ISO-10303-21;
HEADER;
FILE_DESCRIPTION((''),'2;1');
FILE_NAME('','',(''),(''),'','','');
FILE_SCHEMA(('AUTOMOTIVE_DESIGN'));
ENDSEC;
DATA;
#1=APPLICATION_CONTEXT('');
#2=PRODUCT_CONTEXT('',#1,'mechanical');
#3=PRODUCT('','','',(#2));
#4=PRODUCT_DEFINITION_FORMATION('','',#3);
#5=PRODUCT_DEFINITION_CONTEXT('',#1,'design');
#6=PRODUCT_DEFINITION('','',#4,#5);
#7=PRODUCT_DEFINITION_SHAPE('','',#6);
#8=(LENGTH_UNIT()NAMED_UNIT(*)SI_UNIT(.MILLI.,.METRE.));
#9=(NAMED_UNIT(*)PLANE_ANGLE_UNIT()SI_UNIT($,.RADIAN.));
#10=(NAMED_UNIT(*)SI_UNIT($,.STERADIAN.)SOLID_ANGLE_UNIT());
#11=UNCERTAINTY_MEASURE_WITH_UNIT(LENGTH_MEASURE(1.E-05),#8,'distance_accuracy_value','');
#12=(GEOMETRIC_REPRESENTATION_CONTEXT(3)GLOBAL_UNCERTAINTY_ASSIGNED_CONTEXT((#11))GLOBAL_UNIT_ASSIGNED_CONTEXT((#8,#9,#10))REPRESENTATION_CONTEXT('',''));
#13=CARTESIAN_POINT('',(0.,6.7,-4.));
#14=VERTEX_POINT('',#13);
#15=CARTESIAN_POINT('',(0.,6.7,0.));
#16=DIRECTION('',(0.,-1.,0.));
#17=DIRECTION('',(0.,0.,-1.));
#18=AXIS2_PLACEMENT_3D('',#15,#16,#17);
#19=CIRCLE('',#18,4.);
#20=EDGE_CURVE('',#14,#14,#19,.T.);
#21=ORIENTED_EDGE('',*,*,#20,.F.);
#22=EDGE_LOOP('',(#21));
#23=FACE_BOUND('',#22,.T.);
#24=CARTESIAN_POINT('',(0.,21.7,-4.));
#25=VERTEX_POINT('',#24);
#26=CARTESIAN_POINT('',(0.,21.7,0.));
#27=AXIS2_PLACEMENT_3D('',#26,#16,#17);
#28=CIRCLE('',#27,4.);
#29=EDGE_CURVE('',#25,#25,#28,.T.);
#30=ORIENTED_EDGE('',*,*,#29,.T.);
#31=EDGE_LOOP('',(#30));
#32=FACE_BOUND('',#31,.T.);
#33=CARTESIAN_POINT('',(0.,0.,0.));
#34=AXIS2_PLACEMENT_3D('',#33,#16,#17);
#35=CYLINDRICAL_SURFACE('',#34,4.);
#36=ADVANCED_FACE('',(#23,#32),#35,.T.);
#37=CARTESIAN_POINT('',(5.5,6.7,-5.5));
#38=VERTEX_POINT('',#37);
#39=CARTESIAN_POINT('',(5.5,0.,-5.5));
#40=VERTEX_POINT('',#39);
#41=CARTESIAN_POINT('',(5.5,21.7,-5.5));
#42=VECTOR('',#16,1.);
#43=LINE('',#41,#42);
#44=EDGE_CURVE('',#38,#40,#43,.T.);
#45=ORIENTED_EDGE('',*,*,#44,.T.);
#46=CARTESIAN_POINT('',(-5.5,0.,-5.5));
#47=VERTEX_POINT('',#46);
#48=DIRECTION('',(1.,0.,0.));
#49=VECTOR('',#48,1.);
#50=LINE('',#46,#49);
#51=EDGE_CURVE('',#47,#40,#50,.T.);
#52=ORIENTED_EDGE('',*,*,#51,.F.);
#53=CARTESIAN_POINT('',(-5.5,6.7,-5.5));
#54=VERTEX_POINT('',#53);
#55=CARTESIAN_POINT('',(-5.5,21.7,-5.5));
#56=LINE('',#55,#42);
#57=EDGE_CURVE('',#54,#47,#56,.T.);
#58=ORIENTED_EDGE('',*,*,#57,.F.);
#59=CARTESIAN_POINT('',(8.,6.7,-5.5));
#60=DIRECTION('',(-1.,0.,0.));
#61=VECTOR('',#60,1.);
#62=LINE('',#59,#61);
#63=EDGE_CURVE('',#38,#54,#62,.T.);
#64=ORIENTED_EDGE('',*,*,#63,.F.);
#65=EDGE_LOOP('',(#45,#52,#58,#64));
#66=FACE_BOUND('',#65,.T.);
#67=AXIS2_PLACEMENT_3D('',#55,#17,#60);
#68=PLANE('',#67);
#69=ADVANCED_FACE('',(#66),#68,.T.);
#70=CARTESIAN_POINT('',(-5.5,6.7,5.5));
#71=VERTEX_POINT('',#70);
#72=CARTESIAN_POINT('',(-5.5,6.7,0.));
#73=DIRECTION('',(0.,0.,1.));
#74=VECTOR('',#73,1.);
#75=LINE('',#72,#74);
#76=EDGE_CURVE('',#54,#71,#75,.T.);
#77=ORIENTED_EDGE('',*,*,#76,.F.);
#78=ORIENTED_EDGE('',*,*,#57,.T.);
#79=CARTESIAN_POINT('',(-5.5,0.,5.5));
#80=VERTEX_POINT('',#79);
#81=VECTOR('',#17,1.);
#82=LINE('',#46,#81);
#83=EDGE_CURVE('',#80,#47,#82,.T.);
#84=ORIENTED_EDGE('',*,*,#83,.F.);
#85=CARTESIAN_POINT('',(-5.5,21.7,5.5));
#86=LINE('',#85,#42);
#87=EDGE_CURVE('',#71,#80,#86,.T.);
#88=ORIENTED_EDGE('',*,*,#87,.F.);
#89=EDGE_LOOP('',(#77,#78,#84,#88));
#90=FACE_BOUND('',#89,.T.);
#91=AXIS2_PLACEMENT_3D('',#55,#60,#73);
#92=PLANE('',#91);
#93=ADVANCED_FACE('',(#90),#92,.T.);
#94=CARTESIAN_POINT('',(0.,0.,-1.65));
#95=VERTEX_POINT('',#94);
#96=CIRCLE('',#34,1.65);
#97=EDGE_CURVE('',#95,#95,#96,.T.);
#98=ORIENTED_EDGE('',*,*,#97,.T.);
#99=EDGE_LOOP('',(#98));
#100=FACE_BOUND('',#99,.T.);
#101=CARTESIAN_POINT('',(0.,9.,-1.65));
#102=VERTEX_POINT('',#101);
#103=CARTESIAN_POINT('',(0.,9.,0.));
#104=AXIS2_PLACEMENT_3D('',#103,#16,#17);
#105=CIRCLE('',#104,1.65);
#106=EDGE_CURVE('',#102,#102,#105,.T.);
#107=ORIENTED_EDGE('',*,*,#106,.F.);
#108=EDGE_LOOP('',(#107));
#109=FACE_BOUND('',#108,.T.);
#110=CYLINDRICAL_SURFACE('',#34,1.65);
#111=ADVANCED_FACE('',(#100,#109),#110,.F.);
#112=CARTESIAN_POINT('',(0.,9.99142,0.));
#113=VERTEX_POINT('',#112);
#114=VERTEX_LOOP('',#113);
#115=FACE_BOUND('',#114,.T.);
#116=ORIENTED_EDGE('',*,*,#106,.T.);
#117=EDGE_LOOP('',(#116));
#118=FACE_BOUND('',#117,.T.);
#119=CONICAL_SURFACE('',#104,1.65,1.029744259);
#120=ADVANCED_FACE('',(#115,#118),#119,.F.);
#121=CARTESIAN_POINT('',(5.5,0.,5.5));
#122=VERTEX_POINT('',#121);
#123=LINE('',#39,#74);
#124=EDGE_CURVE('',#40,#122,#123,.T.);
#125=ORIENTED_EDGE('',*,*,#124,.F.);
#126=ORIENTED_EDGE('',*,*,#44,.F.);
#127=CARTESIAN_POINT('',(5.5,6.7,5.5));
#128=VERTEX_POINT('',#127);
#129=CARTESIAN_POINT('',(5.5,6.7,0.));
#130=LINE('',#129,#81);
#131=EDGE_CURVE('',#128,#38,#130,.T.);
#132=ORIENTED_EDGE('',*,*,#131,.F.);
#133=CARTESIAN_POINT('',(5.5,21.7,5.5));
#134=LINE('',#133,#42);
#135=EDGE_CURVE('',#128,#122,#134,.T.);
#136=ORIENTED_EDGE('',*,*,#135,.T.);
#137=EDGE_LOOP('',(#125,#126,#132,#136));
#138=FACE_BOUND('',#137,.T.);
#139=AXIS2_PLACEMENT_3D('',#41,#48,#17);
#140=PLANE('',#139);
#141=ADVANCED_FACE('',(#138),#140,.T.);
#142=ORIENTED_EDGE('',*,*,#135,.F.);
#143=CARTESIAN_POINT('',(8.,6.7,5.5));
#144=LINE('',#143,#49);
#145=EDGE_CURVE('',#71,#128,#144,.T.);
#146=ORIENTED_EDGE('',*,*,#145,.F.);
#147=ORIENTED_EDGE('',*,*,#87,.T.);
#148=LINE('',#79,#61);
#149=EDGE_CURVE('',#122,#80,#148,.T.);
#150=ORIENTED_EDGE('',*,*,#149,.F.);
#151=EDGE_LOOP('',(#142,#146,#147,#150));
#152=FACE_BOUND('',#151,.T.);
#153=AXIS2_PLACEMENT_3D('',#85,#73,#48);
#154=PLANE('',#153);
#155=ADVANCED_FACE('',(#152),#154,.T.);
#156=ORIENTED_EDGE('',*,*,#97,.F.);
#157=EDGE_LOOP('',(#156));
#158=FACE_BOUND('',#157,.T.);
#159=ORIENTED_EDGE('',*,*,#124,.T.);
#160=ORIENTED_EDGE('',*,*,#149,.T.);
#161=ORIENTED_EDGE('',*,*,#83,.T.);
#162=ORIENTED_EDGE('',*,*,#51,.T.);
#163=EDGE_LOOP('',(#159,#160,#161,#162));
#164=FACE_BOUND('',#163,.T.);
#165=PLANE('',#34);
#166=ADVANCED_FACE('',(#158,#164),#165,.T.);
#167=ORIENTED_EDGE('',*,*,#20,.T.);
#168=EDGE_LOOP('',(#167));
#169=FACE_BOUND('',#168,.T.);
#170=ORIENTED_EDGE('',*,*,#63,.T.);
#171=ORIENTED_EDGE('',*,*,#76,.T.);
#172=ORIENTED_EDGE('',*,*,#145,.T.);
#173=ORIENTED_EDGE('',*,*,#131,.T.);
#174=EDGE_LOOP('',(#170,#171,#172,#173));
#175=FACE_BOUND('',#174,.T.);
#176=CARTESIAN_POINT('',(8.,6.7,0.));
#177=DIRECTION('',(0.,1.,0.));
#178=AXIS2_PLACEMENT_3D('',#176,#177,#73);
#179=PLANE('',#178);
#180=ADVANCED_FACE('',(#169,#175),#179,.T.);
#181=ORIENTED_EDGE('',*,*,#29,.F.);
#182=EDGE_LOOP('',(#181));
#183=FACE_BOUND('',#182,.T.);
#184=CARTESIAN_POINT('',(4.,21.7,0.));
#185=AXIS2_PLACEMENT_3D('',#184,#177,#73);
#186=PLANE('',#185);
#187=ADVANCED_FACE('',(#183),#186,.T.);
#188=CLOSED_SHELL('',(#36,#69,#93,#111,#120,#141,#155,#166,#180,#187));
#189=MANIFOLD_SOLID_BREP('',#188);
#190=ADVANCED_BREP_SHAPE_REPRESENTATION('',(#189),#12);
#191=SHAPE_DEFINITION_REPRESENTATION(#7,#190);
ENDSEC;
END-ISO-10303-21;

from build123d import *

# Parameters (mm, degrees)
ESQUISSE2_OUTSIDE_W     = 24.27
ESQUISSE2_OUTSIDE_H     = 24.27
ESQUISSE2_OUTSIDE_W_2   = 11
ESQUISSE2_OUTSIDE_H_2   = 11
ENL_V_MAT_EXTRU_1_DEPTH = 25.472229159
TROU_TARAUD_M41_D       = 3.3
TROU_TARAUD_M41_DEPTH   = 9
TROU_TARAUD_M41_TIP     = 0.991420021


with BuildPart() as part:
    # Esquisse1 → Révolution1 (revolve)
    with BuildSketch(Plane.XY, mode=Mode.PRIVATE) as r_volution1_sk:
        Polygon((0, 0), (8, 0), (8, 6.7), (4, 6.7), (4, 21.7), (0, 21.7), align=None)
    revolve(r_volution1_sk.sketch.rotate(Axis((0, 0, 0), (0, 1, 0)), 90), axis=Axis((0, 0, 0), (0, 1, 0)))

    # Esquisse2 outside → Enlèv. mat.-Extru.1 (cut, through all)
    with BuildSketch(Plane.XZ):
        Rectangle(ESQUISSE2_OUTSIDE_W, ESQUISSE2_OUTSIDE_H)
        Rectangle(ESQUISSE2_OUTSIDE_W_2, ESQUISSE2_OUTSIDE_H_2, mode=Mode.SUBTRACT)
    extrude(amount=-ENL_V_MAT_EXTRU_1_DEPTH, mode=Mode.SUBTRACT)

    # Trou taraudé M41
    with Locations(Plane.XZ):
        with Locations((0, 0)):
            Hole(TROU_TARAUD_M41_D / 2, depth=TROU_TARAUD_M41_DEPTH)
            with Locations((0, 0, -(TROU_TARAUD_M41_DEPTH + TROU_TARAUD_M41_TIP / 2))):  # 118° drill point
                Cone(0, TROU_TARAUD_M41_D / 2, TROU_TARAUD_M41_TIP, mode=Mode.SUBTRACT)


solid = part.part
